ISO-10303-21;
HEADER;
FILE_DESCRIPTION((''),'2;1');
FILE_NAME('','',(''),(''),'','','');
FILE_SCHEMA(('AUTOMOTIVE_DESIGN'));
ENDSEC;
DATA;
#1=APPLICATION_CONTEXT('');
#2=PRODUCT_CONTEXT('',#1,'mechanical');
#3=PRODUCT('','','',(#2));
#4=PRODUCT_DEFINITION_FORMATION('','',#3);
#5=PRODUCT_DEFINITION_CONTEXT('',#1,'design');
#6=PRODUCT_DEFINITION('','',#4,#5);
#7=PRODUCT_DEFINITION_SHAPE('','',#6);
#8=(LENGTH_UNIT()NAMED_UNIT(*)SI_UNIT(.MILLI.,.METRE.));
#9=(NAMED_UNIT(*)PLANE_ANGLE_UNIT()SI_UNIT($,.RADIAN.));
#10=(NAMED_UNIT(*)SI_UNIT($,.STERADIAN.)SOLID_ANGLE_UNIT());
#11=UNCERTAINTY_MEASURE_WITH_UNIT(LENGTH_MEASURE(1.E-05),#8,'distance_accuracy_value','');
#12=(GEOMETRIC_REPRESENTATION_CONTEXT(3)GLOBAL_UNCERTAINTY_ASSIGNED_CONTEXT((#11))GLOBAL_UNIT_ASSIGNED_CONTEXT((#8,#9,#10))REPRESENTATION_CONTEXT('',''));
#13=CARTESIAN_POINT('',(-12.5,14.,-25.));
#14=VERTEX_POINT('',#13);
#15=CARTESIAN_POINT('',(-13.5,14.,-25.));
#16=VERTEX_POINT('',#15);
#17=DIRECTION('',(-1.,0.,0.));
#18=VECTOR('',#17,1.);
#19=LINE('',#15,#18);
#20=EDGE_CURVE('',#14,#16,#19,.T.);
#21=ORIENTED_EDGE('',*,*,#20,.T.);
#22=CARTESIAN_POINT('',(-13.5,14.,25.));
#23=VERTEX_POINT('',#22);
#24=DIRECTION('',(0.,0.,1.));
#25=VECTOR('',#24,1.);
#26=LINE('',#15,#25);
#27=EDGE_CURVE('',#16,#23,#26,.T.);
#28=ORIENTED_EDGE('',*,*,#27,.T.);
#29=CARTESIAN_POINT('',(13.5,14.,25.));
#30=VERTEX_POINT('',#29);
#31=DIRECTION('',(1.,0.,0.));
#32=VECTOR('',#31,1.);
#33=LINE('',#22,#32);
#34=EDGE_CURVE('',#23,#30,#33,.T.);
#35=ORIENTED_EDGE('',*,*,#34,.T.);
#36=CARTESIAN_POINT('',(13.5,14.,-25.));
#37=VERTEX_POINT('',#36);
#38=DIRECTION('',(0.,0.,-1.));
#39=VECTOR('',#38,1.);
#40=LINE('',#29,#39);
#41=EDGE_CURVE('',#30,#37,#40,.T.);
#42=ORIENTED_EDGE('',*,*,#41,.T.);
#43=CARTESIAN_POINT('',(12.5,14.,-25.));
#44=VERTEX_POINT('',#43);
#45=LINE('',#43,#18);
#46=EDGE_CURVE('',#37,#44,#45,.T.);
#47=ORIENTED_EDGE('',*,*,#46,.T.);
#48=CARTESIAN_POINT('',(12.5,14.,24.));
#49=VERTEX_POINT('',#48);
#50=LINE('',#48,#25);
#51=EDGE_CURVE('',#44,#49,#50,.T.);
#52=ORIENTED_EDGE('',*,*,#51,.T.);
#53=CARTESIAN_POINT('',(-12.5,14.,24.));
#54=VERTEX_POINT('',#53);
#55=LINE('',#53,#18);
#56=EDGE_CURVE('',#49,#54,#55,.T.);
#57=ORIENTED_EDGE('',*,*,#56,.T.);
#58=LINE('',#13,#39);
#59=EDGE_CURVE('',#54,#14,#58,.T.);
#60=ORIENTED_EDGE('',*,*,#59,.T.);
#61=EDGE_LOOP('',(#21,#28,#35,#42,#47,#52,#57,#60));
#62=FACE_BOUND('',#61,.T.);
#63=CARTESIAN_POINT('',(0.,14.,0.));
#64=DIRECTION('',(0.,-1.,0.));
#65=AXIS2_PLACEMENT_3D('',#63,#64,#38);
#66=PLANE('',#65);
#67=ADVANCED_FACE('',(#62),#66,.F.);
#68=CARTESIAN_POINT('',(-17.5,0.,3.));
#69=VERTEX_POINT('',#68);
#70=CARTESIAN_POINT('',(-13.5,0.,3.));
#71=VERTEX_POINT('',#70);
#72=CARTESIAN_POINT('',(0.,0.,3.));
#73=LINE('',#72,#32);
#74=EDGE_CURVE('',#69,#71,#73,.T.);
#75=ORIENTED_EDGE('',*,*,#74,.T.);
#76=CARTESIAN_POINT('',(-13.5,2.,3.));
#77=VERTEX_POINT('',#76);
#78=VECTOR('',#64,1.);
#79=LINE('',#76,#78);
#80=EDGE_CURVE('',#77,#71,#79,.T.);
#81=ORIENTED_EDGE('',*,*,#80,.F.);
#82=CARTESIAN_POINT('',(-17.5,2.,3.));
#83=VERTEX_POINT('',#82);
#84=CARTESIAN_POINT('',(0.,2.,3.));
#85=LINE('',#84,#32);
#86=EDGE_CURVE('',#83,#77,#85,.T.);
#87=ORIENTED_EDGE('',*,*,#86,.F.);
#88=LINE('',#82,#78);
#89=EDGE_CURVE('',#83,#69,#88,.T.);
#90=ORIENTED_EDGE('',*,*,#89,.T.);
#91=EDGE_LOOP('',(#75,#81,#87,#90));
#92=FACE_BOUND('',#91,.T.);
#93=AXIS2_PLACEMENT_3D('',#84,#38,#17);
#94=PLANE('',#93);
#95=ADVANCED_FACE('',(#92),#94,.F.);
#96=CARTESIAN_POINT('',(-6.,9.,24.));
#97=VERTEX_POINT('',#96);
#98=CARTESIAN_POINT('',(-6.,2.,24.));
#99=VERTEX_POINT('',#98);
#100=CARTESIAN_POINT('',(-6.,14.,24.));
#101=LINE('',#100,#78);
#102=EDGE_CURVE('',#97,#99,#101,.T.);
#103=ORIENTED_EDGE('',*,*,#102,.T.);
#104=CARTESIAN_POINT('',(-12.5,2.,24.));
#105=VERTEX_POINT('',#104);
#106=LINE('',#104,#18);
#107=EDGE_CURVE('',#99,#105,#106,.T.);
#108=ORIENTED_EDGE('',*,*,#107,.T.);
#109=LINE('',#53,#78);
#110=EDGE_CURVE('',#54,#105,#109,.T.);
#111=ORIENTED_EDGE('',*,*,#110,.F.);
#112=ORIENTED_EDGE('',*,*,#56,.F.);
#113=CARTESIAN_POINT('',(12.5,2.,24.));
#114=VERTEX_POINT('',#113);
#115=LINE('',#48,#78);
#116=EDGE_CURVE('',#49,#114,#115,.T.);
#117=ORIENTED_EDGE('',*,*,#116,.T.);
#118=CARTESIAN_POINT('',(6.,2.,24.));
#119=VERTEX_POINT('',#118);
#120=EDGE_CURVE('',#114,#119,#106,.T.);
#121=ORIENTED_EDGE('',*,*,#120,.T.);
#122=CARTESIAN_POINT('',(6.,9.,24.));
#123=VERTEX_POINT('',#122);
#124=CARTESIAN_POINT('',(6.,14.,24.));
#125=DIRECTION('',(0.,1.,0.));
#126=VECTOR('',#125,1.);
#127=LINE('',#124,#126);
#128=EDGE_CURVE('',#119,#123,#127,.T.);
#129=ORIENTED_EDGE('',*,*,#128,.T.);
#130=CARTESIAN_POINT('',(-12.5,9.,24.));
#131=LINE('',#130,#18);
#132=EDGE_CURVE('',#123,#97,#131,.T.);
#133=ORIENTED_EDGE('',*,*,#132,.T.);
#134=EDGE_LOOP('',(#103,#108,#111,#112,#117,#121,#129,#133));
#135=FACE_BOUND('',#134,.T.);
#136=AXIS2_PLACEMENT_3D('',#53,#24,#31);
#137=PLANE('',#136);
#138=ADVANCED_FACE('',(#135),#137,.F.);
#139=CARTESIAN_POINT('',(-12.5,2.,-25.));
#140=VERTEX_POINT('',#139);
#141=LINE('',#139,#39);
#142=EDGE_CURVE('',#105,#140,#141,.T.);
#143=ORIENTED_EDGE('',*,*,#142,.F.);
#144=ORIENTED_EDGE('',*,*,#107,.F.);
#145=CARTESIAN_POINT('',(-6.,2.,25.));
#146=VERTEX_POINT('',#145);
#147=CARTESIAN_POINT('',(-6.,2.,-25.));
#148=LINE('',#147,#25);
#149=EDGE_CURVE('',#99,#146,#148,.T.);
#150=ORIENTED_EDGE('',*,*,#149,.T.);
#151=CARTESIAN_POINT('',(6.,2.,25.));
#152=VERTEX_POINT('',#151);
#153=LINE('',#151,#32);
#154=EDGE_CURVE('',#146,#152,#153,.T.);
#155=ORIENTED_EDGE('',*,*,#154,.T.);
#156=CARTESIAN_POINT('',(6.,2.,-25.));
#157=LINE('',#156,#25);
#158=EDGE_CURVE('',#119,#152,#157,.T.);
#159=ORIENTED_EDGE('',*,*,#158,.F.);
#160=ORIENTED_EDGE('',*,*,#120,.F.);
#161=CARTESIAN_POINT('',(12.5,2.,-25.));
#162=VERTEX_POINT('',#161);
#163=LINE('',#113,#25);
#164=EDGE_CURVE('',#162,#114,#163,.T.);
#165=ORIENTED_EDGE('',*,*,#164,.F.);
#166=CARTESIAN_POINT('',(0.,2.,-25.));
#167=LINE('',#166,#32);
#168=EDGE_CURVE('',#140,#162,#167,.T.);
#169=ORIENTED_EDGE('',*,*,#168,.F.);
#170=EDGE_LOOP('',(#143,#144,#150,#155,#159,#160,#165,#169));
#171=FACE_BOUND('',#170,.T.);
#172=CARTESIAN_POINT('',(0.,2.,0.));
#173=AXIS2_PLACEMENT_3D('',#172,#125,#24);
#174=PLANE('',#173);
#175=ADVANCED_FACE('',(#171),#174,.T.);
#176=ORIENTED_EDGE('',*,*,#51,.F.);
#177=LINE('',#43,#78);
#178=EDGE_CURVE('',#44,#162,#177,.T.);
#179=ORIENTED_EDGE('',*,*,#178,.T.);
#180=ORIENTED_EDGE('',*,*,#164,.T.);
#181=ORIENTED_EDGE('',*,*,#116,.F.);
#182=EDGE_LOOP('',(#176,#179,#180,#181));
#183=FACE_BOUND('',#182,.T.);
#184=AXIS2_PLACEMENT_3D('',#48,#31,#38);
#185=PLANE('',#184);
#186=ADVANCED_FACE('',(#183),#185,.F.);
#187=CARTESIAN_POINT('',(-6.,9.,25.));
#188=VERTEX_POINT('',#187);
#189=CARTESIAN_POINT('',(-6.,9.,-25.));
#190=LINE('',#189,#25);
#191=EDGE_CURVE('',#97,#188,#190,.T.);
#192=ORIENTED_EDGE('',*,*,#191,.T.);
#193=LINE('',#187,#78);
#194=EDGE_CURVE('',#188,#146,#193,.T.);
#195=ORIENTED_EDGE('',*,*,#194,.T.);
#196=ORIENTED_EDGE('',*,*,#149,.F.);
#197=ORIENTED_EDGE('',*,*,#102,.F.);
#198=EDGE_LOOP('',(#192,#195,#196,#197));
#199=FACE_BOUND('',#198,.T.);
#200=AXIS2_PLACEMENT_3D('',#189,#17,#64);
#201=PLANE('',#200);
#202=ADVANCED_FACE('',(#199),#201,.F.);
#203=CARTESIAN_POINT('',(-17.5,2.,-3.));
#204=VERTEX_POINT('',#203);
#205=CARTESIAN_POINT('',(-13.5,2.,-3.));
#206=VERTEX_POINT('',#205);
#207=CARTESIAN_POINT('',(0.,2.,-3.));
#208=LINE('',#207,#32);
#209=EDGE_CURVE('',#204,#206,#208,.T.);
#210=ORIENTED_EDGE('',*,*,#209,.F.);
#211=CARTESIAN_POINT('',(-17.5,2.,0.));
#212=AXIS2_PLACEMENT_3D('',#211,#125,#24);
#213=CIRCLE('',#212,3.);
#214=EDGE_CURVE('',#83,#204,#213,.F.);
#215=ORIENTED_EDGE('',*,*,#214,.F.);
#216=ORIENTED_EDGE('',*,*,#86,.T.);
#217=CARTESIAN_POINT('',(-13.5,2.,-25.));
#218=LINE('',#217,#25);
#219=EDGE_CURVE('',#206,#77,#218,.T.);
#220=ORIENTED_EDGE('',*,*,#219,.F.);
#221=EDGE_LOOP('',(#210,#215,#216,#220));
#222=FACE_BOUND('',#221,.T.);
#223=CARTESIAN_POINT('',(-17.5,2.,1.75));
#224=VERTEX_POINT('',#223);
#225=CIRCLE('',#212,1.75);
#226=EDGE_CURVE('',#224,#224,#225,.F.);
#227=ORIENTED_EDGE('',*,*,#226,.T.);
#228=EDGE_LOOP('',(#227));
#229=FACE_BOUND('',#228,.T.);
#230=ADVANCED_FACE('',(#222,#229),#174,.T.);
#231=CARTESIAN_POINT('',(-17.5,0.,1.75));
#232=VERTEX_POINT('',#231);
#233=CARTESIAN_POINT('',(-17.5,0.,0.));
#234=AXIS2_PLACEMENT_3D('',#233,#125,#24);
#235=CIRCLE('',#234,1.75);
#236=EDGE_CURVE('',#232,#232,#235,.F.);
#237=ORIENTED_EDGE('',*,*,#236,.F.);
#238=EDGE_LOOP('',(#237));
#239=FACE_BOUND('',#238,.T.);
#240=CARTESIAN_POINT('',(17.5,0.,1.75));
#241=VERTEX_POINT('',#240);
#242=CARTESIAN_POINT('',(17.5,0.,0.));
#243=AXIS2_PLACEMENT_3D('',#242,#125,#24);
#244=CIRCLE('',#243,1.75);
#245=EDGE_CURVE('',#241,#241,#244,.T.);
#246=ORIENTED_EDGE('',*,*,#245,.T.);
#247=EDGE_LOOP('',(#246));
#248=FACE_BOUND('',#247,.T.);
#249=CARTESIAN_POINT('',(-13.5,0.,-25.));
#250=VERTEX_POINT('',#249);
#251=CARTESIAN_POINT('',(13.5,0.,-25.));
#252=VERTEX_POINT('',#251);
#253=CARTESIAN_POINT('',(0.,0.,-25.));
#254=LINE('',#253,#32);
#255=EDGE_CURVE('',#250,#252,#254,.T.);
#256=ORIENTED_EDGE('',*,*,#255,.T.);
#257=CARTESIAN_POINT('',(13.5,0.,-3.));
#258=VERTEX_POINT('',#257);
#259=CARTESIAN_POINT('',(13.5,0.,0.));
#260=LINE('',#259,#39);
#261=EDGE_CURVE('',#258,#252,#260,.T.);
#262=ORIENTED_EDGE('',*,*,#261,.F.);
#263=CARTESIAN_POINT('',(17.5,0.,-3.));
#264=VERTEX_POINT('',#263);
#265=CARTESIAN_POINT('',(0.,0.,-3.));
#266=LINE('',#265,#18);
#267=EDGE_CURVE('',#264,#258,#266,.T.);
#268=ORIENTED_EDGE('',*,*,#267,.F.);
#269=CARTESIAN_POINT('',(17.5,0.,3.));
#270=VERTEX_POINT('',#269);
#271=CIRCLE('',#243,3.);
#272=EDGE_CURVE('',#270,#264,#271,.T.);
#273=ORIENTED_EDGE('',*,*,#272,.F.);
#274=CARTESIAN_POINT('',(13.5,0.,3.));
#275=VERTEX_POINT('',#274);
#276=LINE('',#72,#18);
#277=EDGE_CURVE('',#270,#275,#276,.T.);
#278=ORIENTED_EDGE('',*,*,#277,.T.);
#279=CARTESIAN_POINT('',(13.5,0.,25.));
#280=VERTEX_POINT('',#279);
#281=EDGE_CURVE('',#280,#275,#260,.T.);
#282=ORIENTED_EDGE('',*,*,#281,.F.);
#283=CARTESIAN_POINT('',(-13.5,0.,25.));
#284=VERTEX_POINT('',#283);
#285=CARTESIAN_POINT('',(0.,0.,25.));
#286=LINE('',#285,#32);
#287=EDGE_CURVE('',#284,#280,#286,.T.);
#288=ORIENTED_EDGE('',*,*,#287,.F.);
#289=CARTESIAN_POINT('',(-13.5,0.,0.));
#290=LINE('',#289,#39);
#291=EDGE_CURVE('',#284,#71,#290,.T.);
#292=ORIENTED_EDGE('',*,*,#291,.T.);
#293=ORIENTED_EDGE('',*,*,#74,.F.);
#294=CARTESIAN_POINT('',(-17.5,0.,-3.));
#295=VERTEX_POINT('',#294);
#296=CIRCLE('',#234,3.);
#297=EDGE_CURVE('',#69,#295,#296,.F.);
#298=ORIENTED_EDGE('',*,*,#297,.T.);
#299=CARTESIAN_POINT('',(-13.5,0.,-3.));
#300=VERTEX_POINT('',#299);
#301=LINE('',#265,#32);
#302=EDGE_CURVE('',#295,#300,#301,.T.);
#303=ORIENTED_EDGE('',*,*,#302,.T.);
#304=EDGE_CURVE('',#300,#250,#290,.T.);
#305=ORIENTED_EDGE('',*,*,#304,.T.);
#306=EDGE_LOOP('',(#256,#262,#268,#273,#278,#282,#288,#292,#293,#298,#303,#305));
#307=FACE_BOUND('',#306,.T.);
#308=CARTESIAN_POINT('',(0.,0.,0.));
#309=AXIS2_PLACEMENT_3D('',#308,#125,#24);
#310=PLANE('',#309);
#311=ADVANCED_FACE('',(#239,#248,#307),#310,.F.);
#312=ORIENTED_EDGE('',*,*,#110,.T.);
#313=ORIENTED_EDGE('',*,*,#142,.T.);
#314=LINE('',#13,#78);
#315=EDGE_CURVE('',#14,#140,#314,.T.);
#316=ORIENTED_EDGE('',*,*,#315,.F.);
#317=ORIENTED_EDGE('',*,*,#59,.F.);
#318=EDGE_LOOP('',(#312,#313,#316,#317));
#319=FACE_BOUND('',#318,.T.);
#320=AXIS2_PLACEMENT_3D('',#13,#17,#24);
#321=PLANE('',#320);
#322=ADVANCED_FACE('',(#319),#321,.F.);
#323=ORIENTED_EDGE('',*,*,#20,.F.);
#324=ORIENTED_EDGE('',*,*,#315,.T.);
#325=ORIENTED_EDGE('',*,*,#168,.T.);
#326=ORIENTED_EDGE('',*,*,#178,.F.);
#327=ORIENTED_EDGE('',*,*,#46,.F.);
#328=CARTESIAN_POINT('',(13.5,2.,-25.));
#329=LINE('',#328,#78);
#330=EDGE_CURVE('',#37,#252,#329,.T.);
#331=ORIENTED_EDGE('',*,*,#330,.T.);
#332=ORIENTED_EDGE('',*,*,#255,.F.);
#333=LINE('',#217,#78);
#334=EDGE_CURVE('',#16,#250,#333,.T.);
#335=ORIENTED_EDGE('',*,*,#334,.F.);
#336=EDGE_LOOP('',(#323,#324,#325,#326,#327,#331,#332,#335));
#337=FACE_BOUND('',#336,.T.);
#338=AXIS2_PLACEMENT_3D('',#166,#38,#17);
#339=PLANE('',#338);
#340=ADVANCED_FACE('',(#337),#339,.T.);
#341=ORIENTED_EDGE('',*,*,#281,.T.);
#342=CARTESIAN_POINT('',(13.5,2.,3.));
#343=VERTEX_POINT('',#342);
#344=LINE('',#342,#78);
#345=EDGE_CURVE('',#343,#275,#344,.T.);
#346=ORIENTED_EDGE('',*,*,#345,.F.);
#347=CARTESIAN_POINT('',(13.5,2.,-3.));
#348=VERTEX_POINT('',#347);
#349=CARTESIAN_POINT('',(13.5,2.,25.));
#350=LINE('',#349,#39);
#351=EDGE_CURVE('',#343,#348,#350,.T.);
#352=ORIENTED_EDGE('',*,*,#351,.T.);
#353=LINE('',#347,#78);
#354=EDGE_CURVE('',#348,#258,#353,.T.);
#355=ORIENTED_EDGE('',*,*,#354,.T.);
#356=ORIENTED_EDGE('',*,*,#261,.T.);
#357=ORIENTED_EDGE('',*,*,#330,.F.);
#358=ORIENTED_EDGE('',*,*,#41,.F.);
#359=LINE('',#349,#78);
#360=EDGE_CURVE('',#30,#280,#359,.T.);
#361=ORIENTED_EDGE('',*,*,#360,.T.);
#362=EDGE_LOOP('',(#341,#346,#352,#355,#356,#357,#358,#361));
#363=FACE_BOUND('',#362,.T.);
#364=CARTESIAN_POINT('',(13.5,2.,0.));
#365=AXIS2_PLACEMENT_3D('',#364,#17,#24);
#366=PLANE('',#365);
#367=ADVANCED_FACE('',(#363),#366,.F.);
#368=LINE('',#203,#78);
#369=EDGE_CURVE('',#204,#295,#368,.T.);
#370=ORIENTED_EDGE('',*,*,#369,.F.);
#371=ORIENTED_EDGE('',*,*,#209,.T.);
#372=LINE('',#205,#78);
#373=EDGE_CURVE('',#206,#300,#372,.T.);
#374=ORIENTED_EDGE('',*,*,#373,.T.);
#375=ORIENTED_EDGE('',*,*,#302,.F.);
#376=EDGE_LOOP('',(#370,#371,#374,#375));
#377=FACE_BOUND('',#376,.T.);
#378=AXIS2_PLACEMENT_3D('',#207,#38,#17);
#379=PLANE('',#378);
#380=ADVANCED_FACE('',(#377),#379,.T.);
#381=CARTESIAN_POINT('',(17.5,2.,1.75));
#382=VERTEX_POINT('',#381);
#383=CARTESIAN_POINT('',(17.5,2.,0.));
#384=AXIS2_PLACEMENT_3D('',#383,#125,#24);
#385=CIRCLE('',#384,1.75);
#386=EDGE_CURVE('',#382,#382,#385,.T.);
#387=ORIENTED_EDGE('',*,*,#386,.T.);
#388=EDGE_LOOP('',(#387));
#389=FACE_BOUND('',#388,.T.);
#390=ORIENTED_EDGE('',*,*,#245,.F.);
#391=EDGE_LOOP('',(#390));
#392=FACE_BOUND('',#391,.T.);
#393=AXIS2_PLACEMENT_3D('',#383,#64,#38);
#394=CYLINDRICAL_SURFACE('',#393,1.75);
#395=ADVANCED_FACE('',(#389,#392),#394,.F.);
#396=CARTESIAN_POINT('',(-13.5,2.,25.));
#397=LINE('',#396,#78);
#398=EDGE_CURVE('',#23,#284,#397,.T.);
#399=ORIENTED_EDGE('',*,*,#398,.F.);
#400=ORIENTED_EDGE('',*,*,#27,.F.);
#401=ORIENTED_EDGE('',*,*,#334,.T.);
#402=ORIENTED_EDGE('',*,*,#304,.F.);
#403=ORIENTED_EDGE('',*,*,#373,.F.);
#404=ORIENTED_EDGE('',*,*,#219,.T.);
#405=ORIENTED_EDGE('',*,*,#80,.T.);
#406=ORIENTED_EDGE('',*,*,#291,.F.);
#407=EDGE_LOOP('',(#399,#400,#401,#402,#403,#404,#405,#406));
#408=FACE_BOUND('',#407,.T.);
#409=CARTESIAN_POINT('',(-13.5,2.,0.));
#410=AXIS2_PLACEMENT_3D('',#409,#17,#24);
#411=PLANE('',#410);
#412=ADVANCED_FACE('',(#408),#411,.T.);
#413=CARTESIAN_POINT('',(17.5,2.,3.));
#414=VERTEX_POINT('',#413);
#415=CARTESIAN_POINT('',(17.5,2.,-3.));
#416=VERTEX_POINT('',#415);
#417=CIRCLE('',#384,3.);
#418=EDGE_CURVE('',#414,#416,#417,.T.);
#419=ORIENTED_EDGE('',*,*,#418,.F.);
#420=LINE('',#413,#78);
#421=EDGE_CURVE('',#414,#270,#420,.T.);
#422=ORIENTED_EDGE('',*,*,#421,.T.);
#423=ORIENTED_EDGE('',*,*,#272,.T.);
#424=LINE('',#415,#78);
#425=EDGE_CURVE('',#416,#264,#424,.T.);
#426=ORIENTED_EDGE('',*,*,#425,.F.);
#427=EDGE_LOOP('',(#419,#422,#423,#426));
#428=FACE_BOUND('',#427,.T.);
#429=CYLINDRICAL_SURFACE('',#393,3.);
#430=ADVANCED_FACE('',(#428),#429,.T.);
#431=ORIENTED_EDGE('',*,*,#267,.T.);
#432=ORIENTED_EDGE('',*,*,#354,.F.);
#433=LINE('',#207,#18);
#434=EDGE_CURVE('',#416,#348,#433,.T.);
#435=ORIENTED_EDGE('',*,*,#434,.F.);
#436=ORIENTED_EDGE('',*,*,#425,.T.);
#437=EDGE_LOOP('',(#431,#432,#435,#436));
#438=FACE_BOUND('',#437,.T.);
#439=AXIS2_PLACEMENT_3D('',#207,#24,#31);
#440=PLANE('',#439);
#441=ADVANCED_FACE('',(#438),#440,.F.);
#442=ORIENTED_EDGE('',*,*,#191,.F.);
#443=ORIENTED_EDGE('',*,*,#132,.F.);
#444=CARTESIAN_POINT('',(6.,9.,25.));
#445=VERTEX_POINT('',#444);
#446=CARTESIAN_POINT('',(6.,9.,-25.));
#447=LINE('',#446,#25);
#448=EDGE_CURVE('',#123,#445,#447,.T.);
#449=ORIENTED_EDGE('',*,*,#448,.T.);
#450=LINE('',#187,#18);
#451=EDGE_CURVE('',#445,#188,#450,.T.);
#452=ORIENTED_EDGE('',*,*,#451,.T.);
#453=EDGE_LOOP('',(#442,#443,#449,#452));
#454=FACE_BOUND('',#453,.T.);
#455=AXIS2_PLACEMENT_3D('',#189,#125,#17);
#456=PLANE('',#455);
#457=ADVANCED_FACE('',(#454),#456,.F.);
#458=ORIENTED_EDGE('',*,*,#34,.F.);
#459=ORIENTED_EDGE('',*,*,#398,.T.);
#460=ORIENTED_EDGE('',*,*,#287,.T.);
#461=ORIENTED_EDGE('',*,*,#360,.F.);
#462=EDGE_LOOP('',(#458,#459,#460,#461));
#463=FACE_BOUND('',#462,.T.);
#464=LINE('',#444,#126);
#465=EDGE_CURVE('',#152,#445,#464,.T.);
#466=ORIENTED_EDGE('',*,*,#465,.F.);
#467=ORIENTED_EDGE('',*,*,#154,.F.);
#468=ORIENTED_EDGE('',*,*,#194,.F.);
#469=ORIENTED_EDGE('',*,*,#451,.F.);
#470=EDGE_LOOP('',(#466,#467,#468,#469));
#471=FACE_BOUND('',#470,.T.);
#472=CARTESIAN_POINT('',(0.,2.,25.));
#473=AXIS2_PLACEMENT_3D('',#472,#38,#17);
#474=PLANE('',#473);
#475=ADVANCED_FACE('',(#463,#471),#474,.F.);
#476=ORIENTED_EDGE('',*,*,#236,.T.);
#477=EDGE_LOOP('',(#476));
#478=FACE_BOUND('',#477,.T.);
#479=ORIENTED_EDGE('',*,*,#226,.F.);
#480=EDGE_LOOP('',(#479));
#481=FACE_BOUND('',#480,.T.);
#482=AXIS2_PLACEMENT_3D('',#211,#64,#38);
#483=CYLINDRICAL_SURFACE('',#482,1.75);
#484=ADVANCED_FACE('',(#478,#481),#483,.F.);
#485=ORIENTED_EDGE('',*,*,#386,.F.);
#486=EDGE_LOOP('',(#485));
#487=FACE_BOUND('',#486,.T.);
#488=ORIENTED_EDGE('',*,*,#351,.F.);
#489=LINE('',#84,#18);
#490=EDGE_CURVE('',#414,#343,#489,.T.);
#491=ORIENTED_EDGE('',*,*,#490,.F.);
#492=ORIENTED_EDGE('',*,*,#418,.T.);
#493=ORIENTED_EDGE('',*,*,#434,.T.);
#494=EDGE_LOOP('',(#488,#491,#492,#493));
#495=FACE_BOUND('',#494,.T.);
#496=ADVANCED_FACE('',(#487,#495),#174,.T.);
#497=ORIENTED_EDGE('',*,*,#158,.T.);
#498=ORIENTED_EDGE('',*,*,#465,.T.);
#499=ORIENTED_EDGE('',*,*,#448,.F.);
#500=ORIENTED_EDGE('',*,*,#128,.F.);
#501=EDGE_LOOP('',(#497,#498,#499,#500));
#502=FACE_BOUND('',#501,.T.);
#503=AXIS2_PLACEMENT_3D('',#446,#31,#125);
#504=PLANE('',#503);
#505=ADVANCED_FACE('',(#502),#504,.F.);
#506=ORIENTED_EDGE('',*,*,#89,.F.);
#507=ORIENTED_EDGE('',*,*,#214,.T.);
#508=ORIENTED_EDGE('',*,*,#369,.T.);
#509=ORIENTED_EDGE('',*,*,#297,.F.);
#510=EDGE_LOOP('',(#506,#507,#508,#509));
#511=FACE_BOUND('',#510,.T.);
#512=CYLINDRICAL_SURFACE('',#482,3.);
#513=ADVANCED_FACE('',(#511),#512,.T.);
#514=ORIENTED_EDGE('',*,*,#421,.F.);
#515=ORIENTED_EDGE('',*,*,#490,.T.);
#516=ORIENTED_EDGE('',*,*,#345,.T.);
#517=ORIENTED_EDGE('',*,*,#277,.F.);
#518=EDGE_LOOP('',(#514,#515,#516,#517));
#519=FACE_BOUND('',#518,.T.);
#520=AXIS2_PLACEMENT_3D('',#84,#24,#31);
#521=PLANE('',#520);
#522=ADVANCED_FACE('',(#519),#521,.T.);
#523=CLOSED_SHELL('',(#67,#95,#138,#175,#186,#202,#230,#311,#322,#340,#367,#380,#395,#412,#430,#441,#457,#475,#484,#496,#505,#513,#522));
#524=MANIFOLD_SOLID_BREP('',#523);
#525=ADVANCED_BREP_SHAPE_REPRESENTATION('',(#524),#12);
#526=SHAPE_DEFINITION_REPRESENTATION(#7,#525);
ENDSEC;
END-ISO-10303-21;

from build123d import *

# Parameters (mm, degrees)
SKETCH1_W           = 27
SKETCH1_H           = 50
SKETCH1_R           = 3
SKETCH1_R_2         = 1.75
BOSS_EXTRUDE1_DEPTH = 2
BOSS_EXTRUDE2_DEPTH = 12
SKETCH4_W           = 12
SKETCH4_H           = 7
CUT_EXTRUDE1_DEPTH  = 56.823382198


with BuildPart() as part:
    # Sketch1 → Boss-Extrude1 (new body)
    # profile 1 of 5: a face of its own
    with BuildSketch(Plane(origin=(0, 0, 0), x_dir=(1, 0, 0), z_dir=(0, 1, 0))):
        Rectangle(SKETCH1_W, SKETCH1_H)
    # profile 2 of 5: a face of its own
    with BuildSketch(Plane(origin=(0, 0, 0), x_dir=(1, 0, 0), z_dir=(0, 1, 0))):
        with BuildLine():
            Line((-17.5, -3), (-13.5, -3))
            Line((-13.5, -3), (-13.5, 3))
            Line((-13.5, 3), (-17.5, 3))
            ThreePointArc((-17.5, 3), (-15.378679656, 2.121320344), (-14.5, 0))
            ThreePointArc((-14.5, 0), (-15.378679656, -2.121320344), (-17.5, -3))
        make_face()
    # profile 3 of 5: a face of its own
    with BuildSketch(Plane(origin=(0, 0, 0), x_dir=(1, 0, 0), z_dir=(0, 1, 0))):
        with Locations((-17.5, 0)):
            Circle(SKETCH1_R)
        with Locations(Location((-17.5, 0, 0), (0, 0, 270))):
            Circle(SKETCH1_R_2, mode=Mode.SUBTRACT)
    # profile 4 of 5: a face of its own
    with BuildSketch(Plane(origin=(0, 0, 0), x_dir=(1, 0, 0), z_dir=(0, 1, 0))):
        with BuildLine():
            Line((13.5, 3), (13.5, -3))
            Line((13.5, -3), (17.5, -3))
            ThreePointArc((17.5, -3), (14.5, 0), (17.5, 3))
            Line((17.5, 3), (13.5, 3))
        make_face()
    # profile 5 of 5: a face of its own
    with BuildSketch(Plane(origin=(0, 0, 0), x_dir=(1, 0, 0), z_dir=(0, 1, 0))):
        with Locations((17.5, 0)):
            Circle(SKETCH1_R)
        with Locations(Location((17.5, 0, 0), (0, 0, 270))):
            Circle(SKETCH1_R_2, mode=Mode.SUBTRACT)
    extrude(amount=BOSS_EXTRUDE1_DEPTH)

    # Sketch2 → Boss-Extrude2 (add)
    with BuildSketch(Plane(origin=(0, 2, 0), x_dir=(1, 0, 0), z_dir=(0, 1, 0))):
        Polygon((-13.5, 25), (-13.5, -25), (13.5, -25), (13.5, 25), (12.5, 25), (12.5, -24), (-12.5, -24), (-12.5, 25), align=None)
    extrude(amount=BOSS_EXTRUDE2_DEPTH)

    # Sketch4 → Cut-Extrude1 (cut, through all)
    with BuildSketch(Plane.XY.offset(25)):
        with Locations((0, 5.5)):
            Rectangle(SKETCH4_W, SKETCH4_H)
    extrude(amount=-CUT_EXTRUDE1_DEPTH, mode=Mode.SUBTRACT)


solid = part.part
